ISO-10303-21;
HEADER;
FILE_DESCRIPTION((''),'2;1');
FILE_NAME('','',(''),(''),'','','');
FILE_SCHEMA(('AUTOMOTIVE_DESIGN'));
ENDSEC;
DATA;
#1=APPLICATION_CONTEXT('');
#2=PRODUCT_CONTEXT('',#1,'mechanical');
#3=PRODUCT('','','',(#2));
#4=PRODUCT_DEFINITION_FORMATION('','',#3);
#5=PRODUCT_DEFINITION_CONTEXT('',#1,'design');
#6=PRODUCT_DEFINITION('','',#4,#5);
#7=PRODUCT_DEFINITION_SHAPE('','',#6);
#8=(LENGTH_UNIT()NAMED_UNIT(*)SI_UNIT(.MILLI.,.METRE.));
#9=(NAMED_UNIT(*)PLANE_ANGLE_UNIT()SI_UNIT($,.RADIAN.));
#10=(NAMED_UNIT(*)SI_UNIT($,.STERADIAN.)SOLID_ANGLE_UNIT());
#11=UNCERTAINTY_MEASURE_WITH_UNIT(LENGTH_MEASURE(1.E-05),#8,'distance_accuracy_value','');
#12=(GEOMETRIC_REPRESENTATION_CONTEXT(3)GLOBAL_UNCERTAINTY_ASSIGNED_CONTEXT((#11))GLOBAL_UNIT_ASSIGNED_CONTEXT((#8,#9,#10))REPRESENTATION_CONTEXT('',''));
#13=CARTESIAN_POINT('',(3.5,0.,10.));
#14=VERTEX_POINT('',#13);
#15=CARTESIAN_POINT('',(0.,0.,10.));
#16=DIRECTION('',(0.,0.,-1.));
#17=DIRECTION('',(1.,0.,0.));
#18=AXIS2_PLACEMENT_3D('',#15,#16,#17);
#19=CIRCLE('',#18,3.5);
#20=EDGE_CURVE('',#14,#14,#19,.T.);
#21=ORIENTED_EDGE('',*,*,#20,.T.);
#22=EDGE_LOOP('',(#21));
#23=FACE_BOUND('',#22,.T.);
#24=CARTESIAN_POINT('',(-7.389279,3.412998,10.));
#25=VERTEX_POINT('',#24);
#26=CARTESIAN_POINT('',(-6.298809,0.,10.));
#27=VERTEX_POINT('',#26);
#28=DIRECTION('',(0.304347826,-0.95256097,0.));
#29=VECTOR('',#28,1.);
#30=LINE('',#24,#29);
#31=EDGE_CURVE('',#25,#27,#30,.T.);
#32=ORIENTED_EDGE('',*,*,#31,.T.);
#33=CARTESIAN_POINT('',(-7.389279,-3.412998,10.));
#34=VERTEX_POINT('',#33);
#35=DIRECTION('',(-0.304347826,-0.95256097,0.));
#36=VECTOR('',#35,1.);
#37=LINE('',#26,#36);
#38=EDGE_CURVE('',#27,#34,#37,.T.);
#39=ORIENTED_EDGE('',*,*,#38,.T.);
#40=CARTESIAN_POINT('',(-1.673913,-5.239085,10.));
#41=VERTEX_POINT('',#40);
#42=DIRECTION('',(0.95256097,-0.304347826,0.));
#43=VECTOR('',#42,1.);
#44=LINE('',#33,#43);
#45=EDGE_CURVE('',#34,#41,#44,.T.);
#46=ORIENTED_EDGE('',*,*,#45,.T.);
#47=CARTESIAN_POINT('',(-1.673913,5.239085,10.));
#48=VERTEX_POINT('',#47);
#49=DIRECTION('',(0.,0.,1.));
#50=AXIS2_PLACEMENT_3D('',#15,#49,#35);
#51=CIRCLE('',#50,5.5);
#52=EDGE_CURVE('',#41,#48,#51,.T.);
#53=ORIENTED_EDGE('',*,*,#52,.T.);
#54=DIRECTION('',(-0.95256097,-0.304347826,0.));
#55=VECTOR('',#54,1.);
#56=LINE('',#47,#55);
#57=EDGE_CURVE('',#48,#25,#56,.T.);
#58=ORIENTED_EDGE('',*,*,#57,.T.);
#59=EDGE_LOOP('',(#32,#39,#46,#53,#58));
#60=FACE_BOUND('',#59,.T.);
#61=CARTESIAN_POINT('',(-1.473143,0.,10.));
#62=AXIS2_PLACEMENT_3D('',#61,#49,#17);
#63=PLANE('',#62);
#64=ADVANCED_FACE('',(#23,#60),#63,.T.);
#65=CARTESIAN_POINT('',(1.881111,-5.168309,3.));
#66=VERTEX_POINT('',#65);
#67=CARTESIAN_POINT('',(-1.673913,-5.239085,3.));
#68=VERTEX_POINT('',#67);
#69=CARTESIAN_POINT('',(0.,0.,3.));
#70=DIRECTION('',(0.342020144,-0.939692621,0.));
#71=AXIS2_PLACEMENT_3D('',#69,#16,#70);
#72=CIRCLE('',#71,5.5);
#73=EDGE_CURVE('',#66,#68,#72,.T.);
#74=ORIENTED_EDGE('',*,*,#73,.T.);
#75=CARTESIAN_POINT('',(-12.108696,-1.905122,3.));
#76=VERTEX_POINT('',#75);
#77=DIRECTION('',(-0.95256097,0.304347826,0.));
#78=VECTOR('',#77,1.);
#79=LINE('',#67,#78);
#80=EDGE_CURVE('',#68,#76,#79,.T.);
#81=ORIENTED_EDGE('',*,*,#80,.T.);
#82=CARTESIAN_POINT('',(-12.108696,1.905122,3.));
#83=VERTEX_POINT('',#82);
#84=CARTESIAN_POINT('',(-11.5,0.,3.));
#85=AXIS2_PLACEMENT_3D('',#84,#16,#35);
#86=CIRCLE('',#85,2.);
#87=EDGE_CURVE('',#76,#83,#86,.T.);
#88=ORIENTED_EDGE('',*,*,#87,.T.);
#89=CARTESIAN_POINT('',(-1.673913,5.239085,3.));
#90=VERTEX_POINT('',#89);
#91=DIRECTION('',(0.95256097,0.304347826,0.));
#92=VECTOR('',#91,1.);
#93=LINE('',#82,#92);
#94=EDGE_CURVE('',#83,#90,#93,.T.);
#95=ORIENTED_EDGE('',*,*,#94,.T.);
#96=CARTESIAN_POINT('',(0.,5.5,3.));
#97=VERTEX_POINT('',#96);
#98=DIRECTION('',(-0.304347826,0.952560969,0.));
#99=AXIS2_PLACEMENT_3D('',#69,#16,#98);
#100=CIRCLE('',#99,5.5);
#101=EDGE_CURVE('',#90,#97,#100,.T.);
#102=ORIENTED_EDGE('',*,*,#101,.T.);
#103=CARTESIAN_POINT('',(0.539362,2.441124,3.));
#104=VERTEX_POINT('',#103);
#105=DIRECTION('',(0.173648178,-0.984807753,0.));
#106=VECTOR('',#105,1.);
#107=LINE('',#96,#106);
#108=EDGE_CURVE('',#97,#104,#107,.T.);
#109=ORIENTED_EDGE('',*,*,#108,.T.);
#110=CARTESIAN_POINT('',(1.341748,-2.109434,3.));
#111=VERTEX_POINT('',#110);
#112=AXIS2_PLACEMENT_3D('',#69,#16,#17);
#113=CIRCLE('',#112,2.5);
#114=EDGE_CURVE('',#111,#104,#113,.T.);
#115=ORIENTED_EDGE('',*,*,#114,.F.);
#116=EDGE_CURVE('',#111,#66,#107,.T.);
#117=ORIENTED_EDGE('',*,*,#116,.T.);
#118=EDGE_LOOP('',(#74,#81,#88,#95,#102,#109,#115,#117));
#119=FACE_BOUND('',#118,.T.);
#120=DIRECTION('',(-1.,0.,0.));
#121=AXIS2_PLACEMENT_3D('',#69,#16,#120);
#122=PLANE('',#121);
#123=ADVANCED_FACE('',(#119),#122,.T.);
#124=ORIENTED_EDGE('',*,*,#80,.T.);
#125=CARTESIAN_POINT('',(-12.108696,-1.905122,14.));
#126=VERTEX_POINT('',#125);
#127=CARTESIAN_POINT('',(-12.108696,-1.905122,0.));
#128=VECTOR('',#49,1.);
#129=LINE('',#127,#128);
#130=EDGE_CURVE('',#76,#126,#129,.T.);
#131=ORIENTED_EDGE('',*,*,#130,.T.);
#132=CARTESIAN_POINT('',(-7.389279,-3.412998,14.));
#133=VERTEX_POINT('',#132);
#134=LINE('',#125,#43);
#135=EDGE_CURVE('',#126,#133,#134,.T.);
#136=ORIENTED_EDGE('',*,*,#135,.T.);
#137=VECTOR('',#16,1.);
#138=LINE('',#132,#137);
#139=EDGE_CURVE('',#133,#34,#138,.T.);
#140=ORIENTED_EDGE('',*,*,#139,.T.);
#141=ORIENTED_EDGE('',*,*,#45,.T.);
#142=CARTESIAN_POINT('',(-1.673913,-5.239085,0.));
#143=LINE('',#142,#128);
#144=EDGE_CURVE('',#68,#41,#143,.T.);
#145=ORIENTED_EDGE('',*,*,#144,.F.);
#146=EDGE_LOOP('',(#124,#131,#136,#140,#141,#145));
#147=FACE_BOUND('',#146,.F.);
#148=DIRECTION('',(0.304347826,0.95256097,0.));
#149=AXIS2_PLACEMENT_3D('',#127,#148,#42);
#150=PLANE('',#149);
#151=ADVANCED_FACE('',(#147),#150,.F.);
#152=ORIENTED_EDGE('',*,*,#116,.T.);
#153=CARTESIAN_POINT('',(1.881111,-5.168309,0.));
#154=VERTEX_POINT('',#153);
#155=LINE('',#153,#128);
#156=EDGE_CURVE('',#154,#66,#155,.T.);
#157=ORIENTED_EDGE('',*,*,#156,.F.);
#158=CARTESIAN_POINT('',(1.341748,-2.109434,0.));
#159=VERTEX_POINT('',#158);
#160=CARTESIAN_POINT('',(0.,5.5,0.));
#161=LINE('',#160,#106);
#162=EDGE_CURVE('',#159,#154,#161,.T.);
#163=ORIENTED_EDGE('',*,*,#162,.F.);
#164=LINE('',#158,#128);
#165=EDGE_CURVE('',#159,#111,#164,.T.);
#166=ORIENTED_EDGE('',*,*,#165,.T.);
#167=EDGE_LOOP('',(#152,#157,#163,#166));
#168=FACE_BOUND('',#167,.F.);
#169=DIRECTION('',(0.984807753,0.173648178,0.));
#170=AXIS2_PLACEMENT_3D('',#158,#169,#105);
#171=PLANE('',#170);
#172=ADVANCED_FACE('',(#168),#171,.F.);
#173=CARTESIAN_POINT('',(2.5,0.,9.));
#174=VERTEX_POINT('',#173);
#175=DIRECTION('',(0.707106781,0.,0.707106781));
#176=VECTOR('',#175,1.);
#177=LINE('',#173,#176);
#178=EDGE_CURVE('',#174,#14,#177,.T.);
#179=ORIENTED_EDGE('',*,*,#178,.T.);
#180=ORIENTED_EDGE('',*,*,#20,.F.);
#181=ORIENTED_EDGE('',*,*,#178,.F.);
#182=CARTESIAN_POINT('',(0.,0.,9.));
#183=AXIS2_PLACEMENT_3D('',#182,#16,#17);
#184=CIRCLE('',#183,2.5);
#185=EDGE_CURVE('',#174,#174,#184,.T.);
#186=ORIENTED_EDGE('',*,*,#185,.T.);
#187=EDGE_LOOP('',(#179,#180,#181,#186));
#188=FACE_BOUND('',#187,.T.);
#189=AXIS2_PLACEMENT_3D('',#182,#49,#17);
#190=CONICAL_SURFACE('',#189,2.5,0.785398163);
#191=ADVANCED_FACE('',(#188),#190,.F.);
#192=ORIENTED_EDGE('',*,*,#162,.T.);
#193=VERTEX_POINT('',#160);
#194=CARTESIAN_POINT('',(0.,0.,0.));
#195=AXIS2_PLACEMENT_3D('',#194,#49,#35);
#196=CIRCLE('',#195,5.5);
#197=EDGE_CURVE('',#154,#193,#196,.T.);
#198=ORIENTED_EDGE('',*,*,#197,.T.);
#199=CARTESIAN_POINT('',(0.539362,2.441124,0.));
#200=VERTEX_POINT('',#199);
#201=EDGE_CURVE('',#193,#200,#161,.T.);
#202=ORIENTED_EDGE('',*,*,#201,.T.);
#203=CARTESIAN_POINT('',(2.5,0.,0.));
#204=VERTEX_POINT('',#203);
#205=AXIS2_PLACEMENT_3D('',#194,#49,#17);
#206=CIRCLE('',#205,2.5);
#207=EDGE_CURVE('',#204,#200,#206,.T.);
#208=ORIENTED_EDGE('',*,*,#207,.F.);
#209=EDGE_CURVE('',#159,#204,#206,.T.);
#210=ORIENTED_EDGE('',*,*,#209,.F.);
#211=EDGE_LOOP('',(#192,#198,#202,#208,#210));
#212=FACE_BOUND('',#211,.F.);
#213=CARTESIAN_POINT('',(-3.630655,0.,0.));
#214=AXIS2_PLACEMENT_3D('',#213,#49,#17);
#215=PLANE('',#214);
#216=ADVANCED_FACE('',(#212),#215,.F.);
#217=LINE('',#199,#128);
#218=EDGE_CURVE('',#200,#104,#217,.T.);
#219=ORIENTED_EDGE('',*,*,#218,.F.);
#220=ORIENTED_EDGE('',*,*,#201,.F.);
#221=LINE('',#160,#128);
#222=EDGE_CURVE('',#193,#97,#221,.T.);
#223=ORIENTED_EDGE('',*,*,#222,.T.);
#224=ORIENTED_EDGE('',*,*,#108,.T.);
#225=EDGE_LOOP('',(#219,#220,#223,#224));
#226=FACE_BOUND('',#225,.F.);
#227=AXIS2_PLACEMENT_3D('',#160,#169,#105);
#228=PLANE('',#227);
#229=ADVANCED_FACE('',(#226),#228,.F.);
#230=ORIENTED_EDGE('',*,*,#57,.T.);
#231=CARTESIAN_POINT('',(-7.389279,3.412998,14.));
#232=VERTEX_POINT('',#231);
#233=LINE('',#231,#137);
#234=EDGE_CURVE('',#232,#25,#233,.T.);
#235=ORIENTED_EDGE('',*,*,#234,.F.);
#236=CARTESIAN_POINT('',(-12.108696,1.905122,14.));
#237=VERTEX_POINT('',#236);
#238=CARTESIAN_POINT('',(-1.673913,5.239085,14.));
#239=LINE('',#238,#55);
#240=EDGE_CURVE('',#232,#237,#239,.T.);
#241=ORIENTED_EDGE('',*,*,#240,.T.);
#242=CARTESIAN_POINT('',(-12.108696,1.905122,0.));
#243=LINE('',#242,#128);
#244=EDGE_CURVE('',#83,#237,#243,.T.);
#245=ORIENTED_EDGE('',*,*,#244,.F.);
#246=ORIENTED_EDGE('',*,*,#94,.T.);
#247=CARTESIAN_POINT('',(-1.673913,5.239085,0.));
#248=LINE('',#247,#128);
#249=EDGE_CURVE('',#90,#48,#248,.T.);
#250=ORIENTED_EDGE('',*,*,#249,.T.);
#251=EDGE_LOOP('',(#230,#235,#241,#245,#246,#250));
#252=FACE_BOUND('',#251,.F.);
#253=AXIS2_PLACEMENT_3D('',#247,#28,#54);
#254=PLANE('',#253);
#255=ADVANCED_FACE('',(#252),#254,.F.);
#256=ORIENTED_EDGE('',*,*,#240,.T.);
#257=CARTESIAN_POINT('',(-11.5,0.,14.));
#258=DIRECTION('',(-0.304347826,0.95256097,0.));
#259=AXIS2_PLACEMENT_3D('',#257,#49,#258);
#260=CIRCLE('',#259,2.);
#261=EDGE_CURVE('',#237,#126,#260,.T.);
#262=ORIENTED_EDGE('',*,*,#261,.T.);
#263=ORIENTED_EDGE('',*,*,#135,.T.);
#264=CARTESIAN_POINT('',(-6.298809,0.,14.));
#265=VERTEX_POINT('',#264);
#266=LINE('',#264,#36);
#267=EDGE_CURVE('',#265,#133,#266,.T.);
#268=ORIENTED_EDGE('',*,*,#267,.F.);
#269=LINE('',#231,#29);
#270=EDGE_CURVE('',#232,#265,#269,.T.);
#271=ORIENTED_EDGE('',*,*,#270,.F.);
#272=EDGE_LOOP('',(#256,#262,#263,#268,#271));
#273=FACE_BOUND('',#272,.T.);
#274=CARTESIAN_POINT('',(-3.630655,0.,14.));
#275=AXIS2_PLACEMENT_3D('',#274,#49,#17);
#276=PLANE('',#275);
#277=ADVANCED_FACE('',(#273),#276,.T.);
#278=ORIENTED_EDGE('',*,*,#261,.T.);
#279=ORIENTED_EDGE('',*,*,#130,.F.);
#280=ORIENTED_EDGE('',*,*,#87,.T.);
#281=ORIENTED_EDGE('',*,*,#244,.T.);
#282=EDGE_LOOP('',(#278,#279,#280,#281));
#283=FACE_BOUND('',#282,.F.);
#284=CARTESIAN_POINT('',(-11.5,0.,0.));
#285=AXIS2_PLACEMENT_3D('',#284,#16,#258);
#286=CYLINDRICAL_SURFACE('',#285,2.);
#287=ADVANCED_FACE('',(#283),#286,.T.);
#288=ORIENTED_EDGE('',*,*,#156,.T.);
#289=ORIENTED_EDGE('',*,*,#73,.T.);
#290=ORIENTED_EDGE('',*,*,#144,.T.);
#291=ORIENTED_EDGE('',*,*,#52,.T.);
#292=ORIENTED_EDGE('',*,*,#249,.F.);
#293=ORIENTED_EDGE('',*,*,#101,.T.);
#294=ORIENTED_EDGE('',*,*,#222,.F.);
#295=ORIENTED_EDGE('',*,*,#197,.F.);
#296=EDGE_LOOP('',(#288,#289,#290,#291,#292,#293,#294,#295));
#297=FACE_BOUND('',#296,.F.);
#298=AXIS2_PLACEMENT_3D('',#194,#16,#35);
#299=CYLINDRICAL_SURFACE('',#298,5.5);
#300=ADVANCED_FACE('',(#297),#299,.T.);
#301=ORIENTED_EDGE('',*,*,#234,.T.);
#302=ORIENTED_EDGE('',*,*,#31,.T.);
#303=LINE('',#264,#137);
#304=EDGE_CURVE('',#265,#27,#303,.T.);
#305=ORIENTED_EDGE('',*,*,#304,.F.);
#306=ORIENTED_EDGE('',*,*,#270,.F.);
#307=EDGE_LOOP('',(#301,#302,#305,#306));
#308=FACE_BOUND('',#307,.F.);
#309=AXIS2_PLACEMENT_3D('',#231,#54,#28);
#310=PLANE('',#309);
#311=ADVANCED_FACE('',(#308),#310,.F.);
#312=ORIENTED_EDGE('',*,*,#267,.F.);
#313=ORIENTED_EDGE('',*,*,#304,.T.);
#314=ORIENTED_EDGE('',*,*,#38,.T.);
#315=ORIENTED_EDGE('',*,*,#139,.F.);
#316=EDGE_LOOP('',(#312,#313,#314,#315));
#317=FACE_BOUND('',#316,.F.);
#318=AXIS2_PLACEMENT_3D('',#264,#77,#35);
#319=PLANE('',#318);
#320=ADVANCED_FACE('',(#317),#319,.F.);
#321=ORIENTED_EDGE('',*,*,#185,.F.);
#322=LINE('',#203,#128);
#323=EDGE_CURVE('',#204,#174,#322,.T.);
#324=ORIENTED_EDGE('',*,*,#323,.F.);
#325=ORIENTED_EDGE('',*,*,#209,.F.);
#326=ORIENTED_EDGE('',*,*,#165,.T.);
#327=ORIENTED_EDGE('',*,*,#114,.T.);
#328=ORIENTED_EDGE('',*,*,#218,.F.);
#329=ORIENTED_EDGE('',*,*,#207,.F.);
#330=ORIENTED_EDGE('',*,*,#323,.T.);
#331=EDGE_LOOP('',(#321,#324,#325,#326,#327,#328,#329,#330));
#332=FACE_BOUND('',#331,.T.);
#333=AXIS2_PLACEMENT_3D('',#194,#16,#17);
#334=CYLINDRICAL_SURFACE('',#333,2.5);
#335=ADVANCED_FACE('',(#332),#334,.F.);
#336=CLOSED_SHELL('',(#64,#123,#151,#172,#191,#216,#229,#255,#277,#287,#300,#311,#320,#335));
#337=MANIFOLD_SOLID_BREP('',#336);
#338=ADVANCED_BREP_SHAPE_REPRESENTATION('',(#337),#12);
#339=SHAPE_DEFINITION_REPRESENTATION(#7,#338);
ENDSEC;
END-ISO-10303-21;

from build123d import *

# Parameters (mm, degrees)
ESQUISSE1_R             = 2.5
EXTRUSION1_DEPTH        = 14
ENL_V_MAT_EXTRU_1_DEPTH = 4
ESQUISSE4_R             = 2.5
ENL_V_MAT_EXTRU_2_DEPTH = 3
CHANFREIN1_SIZE         = 1


with BuildPart() as part:
    # Esquisse1 → Extrusion1 (new body)
    with BuildSketch(Plane.XY):
        with BuildLine():
            Line((-1.673913043, 5.239085333), (-12.108695652, 1.905121939))
            ThreePointArc((-12.108695652, 1.905121939), (-13.5, 0), (-12.108695652, -1.905121939))
            Line((-12.108695652, -1.905121939), (-1.673913043, -5.239085333))
            ThreePointArc((-1.673913043, -5.239085333), (5.5, 0), (-1.673913043, 5.239085333))
        make_face()
        Circle(ESQUISSE1_R, mode=Mode.SUBTRACT)
    extrude(amount=EXTRUSION1_DEPTH)

    # Esquisse2 → Enlèv. mat.-Extru.1 (cut)
    with BuildSketch(Plane.XY.offset(14)):
        with BuildLine():
            Line((-1.673913043, 5.239085333), (-7.389278861, 3.412998376))
            Line((-7.389278861, 3.412998376), (-6.298809411, 0))
            Line((-6.298809411, 0), (-7.389278861, -3.412998376))
            Line((-7.389278861, -3.412998376), (-1.673913043, -5.239085333))
            ThreePointArc((-1.673913043, -5.239085333), (5.5, 0), (-1.673913043, 5.239085333))
        make_face()
    extrude(amount=-ENL_V_MAT_EXTRU_1_DEPTH, mode=Mode.SUBTRACT)

    # Esquisse4 → Enlèv. mat.-Extru.2 (cut)
    with BuildSketch(Plane(origin=(0, 0, 0), x_dir=(-1, 0, 0), z_dir=(0, 0, -1))):
        Circle(ESQUISSE4_R)
        with BuildLine():
            Line((1.673913043, -5.239085333), (12.108695652, -1.905121939))
            ThreePointArc((12.108695652, -1.905121939), (13.5, 0), (12.108695652, 1.905121939))
            Line((12.108695652, 1.905121939), (1.673913043, 5.239085333))
            ThreePointArc((1.673913043, 5.239085333), (0.847062769, 5.434379879), (0, 5.5))
            Line((0, 5.5), (-1.881110788, -5.168309414))
            ThreePointArc((-1.881110788, -5.168309414), (-0.10947618, -5.498910344), (1.673913043, -5.239085333))
        make_face()
    extrude(amount=-ENL_V_MAT_EXTRU_2_DEPTH, mode=Mode.SUBTRACT)

    # Chanfrein1
    chanfrein1_edges = [part.edges().sort_by_distance(p)[0] for p in [
        (-2.5, 0, 10),
    ]]
    chamfer(chanfrein1_edges, length=CHANFREIN1_SIZE)


solid = part.part
